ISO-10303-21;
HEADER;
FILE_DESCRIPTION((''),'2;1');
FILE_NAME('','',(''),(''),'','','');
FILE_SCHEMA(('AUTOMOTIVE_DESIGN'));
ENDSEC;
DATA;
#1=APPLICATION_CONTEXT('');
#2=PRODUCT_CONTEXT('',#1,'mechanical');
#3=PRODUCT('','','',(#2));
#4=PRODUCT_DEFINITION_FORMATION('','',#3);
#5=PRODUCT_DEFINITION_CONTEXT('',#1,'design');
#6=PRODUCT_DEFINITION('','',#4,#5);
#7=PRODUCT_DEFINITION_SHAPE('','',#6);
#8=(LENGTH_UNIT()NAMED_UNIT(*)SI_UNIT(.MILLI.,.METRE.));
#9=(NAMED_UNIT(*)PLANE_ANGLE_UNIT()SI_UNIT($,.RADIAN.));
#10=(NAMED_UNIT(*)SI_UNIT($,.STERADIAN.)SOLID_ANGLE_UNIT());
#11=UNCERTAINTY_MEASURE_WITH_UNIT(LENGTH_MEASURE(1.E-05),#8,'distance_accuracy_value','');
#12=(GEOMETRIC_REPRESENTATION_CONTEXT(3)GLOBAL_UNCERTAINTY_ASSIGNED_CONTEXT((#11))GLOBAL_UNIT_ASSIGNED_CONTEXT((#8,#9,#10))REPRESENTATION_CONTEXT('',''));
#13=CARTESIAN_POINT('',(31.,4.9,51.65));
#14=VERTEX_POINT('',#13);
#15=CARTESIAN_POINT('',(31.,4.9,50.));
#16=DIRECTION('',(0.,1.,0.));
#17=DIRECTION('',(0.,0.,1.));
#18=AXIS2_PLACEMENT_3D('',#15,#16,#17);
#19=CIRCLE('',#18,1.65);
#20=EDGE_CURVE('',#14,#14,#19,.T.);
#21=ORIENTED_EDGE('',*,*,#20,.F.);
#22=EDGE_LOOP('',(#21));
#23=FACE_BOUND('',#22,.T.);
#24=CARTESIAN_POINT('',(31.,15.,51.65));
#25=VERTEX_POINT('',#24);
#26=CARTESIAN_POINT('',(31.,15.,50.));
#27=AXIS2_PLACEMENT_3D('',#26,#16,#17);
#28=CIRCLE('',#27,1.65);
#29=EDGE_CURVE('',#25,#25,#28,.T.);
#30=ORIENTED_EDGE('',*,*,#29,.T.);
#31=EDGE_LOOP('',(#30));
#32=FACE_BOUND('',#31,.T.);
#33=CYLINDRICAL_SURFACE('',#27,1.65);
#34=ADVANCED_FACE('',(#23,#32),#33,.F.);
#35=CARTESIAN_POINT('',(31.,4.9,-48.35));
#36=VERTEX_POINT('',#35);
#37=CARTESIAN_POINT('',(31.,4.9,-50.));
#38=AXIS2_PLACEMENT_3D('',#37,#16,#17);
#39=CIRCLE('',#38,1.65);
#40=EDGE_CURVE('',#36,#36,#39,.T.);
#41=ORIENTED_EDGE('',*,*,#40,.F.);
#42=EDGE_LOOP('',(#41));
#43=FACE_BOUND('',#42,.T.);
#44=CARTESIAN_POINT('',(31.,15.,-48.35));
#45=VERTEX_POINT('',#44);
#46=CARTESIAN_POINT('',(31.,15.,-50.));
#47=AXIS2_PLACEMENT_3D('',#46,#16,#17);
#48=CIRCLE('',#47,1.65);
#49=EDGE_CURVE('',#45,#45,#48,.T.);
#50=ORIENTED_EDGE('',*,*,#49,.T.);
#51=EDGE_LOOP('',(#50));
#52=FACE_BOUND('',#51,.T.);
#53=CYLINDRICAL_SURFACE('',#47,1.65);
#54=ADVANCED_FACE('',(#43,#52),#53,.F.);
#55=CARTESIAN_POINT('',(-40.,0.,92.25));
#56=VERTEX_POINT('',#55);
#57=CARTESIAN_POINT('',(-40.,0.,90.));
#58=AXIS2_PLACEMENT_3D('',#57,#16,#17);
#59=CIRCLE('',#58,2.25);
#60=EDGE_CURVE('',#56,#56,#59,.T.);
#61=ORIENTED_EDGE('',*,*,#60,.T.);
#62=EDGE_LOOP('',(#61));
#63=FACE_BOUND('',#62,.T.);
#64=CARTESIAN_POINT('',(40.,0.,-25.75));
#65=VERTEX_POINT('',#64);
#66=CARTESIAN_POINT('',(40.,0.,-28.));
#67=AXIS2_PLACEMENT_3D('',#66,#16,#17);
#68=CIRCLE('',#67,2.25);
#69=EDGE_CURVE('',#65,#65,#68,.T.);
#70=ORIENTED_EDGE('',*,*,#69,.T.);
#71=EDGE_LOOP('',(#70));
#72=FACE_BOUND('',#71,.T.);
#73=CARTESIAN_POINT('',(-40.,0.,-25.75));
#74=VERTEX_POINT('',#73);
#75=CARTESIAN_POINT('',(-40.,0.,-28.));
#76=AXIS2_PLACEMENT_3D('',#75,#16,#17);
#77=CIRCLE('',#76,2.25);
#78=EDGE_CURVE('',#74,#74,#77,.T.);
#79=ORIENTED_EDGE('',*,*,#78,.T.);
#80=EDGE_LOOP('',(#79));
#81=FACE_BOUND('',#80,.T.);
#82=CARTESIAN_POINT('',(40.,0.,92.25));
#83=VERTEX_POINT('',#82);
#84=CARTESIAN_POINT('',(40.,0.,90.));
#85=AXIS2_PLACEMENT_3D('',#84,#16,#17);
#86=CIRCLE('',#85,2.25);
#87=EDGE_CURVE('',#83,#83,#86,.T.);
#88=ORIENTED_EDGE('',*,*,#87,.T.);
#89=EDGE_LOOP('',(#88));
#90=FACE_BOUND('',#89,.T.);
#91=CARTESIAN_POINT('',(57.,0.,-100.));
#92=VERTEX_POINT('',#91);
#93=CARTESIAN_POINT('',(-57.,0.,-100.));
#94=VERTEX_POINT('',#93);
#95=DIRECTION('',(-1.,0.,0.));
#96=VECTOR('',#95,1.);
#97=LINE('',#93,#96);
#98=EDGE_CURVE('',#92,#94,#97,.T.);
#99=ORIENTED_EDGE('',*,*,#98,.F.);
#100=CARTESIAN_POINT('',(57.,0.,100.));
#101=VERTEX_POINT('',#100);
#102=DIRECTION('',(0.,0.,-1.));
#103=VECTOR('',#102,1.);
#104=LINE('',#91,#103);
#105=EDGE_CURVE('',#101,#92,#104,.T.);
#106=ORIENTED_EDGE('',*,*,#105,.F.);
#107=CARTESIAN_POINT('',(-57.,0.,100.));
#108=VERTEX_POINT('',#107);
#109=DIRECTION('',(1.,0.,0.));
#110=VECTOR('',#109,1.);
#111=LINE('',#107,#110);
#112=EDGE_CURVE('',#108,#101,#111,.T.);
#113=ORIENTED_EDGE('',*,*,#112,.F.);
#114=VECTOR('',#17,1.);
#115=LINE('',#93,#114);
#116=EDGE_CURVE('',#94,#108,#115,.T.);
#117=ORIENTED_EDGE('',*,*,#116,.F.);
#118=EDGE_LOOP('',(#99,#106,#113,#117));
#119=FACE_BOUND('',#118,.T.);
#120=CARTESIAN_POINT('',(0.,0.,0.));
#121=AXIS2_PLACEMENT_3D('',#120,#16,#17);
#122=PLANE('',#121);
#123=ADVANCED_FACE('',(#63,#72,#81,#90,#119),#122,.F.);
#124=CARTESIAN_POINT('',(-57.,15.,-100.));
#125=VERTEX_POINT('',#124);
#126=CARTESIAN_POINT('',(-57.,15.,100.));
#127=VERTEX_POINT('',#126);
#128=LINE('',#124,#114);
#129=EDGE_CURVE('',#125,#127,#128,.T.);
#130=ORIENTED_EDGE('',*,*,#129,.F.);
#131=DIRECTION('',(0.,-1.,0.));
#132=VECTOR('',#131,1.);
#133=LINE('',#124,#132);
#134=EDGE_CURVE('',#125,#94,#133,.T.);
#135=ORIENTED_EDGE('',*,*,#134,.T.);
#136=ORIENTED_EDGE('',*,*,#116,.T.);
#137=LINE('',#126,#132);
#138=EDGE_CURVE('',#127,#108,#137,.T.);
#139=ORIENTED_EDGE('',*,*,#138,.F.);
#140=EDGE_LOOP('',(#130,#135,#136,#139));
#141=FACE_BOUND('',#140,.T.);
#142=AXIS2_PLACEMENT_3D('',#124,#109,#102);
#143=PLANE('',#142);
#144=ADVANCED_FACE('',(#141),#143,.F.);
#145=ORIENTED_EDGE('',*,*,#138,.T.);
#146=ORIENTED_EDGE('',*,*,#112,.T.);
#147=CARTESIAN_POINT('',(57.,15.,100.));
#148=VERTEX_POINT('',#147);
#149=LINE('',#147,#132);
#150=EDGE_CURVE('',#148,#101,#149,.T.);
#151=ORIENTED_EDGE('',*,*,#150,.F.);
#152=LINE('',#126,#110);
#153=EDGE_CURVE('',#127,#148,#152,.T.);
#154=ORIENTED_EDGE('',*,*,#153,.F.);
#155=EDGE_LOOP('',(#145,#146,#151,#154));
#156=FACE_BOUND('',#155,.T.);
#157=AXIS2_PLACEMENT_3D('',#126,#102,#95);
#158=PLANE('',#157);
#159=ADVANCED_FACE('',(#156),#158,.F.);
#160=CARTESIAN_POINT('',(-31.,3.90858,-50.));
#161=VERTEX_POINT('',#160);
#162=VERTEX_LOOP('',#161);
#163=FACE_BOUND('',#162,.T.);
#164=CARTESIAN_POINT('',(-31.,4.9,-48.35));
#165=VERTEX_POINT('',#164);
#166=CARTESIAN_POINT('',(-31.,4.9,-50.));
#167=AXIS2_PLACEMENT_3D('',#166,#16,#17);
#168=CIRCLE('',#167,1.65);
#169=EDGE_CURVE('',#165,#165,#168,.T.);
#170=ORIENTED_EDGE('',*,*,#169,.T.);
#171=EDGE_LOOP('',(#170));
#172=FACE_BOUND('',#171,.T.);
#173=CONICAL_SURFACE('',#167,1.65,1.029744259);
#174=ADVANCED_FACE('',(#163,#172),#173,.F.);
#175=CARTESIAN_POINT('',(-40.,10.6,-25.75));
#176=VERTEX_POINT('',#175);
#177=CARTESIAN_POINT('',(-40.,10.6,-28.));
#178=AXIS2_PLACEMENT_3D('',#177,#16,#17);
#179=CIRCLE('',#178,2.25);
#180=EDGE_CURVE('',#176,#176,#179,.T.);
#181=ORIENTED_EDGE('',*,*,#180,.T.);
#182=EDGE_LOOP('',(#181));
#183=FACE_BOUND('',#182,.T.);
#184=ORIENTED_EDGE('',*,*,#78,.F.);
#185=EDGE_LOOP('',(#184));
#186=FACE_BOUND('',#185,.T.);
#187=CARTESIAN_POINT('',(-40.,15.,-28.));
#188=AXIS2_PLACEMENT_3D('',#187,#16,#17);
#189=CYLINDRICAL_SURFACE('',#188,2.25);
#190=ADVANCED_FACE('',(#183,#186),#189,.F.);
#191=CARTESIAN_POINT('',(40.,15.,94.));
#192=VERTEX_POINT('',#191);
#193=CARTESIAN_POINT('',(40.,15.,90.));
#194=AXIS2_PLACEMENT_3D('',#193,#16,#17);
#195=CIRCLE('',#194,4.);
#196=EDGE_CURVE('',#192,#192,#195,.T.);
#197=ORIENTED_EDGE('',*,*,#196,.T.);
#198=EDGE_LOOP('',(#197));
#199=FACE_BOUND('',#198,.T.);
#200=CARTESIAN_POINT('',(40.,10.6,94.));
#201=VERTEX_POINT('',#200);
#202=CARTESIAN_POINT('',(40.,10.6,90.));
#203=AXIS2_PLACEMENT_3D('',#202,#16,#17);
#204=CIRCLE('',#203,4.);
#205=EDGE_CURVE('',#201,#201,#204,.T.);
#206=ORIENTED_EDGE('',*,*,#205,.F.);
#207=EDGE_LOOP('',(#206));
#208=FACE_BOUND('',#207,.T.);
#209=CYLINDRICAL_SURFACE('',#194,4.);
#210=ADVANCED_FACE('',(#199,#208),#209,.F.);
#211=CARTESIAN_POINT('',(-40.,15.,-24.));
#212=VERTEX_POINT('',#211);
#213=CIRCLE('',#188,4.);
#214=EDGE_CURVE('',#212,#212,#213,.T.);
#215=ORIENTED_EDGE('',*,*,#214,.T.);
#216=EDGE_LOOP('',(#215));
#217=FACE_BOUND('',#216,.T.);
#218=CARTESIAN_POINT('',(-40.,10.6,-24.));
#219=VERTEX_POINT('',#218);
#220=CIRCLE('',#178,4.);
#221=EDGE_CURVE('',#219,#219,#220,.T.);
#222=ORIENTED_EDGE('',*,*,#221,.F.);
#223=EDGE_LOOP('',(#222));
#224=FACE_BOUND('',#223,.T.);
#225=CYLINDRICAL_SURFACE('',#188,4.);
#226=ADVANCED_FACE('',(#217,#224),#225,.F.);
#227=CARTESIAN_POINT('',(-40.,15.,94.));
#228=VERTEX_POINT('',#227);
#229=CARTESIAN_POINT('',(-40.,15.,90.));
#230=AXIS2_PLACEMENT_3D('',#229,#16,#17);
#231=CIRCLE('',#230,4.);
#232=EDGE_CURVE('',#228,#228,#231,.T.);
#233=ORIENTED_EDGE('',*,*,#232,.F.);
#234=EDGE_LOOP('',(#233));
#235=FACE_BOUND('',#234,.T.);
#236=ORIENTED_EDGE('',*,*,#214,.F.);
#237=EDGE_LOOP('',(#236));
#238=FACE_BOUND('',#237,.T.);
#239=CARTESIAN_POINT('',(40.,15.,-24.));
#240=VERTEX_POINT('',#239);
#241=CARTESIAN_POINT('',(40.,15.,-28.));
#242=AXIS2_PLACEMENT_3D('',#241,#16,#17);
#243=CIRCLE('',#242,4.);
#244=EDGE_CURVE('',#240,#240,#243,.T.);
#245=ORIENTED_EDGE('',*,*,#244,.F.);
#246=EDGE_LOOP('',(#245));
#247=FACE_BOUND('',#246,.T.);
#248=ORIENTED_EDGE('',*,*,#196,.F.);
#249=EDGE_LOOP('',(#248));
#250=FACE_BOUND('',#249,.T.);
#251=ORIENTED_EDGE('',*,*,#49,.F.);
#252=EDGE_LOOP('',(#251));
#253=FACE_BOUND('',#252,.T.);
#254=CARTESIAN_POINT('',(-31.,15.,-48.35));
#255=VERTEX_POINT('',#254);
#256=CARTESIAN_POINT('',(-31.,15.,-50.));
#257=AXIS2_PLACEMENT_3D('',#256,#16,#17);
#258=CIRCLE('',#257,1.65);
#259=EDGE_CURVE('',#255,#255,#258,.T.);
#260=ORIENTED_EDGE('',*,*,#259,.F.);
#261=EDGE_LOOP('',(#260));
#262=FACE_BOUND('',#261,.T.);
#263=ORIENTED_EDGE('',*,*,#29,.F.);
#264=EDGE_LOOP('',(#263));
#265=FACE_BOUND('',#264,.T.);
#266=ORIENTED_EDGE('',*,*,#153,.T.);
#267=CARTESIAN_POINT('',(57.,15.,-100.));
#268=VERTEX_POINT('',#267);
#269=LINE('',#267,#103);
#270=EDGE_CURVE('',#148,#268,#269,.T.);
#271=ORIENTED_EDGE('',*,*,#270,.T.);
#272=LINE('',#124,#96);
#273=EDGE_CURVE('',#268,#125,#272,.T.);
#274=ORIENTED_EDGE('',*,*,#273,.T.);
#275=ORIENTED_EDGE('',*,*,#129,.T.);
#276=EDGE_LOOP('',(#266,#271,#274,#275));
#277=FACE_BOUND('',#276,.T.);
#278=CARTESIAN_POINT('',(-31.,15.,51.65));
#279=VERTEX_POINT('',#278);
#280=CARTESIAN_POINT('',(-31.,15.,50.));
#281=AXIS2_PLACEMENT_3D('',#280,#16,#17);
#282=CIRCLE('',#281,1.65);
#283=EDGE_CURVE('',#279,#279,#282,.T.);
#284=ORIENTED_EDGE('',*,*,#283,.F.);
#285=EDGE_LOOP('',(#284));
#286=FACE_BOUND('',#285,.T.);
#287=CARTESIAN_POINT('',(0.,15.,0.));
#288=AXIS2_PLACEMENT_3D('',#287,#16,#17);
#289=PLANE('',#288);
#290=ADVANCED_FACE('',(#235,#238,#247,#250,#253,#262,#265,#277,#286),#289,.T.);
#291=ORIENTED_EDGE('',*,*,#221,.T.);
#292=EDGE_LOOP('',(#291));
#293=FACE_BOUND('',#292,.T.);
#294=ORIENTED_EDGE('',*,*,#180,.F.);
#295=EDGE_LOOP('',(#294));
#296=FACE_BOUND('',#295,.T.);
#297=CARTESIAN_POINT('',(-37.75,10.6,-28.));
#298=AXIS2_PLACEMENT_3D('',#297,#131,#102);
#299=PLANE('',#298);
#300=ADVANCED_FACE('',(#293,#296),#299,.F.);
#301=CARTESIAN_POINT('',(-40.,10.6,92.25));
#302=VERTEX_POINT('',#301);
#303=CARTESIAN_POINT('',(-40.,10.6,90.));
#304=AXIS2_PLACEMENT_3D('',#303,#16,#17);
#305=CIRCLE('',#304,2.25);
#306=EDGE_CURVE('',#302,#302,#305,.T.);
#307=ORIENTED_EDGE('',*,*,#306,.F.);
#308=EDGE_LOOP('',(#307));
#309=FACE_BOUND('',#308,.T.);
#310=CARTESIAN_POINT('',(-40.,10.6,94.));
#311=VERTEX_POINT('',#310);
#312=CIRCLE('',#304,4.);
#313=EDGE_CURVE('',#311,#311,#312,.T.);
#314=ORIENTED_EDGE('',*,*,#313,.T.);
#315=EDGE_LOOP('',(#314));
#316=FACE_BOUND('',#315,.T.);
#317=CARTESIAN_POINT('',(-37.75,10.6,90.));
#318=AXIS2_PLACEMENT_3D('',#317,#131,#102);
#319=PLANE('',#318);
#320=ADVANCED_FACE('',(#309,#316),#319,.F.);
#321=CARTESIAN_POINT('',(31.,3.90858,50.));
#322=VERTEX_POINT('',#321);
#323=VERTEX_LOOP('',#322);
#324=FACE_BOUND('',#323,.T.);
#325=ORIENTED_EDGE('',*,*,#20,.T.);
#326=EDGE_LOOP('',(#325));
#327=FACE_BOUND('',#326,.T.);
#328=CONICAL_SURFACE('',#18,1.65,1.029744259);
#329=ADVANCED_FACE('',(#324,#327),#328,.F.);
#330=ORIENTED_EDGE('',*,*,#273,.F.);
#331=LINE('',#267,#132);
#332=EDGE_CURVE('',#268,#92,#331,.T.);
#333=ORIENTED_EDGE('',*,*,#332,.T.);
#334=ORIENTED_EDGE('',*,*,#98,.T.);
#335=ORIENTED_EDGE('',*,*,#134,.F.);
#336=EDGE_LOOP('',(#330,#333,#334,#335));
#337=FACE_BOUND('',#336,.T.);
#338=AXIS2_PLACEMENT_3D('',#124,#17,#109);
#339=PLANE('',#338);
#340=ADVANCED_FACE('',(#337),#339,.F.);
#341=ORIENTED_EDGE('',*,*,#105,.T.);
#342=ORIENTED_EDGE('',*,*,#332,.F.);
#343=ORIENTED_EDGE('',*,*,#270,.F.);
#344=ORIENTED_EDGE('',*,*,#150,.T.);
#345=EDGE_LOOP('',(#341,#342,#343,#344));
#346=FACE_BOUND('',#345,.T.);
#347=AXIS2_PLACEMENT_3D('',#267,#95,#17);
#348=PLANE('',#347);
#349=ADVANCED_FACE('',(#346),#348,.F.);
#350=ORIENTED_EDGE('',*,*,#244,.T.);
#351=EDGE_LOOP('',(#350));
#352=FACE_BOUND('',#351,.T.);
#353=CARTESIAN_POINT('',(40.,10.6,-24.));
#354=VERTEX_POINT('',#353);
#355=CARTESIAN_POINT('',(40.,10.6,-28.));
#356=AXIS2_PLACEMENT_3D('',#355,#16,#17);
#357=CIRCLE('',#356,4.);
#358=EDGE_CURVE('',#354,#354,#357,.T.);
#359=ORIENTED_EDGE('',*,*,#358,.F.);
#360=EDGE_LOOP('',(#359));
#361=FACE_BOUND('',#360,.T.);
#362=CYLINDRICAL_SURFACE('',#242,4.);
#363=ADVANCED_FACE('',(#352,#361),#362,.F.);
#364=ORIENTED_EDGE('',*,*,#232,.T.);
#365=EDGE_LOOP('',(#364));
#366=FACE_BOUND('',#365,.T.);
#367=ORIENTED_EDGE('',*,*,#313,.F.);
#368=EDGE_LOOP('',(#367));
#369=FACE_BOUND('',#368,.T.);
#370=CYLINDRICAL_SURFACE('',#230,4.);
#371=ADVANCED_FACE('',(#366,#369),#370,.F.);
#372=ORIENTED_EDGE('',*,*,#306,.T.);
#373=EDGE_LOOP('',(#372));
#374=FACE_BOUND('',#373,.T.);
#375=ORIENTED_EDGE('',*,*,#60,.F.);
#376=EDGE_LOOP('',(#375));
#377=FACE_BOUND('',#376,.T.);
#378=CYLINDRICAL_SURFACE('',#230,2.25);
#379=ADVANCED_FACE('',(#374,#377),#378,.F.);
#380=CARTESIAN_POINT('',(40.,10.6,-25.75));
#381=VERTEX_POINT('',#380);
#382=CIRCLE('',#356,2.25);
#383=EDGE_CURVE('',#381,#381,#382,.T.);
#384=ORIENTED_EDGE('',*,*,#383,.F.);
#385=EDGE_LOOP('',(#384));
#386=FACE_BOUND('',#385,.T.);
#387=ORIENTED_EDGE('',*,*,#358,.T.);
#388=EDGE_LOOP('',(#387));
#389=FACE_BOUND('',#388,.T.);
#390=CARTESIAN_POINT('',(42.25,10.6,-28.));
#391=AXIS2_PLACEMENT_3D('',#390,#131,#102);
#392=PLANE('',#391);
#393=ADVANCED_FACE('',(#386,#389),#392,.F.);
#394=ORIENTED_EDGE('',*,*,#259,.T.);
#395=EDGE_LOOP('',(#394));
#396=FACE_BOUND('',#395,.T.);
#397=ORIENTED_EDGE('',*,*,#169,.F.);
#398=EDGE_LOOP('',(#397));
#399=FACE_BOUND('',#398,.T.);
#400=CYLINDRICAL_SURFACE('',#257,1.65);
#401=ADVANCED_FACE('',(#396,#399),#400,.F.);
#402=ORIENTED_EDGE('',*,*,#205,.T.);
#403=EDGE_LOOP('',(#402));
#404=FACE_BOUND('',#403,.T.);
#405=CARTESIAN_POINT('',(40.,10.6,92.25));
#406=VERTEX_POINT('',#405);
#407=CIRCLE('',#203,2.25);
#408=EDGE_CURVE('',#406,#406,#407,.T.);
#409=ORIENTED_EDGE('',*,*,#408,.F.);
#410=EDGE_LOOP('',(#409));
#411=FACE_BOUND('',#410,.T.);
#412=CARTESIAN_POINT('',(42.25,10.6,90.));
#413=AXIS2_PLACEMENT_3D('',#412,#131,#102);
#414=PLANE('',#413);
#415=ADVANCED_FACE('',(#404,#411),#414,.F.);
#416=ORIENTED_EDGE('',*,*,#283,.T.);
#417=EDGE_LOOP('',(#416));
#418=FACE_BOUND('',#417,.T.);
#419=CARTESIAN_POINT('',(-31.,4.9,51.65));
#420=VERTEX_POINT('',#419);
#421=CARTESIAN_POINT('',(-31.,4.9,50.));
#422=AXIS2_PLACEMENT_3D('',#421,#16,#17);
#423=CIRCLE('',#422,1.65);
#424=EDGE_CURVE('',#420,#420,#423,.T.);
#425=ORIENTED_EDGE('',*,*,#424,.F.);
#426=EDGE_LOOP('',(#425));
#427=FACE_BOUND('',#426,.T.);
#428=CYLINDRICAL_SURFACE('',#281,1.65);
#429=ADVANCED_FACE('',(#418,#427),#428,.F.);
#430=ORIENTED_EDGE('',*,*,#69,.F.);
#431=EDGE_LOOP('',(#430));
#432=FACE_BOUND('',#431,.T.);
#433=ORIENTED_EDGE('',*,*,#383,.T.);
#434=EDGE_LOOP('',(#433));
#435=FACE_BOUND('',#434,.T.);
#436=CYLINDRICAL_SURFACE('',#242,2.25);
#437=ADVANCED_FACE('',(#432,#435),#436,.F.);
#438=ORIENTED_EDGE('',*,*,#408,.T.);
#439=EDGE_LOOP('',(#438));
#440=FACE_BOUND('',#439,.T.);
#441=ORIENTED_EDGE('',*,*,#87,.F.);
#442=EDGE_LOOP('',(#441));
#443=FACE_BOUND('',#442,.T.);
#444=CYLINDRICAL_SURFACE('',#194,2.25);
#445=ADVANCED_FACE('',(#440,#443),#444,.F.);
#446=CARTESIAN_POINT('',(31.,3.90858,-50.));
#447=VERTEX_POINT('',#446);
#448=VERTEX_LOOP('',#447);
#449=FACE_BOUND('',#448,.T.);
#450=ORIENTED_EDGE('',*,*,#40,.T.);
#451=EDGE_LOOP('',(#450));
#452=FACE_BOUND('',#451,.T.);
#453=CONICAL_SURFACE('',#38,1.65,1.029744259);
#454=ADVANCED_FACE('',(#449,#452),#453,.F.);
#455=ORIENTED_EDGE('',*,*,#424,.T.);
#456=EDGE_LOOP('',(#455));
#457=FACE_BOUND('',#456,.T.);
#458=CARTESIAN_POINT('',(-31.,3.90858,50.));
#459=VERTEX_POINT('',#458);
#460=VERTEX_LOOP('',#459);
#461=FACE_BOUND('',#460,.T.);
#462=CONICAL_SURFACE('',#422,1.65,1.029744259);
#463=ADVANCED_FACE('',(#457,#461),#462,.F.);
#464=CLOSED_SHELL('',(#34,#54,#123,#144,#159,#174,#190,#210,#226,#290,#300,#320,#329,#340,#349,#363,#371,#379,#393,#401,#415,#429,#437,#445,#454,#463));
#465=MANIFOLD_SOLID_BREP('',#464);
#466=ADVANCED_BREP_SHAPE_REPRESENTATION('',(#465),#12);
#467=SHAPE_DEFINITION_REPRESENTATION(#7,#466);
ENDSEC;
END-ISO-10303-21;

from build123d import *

# Parameters (mm, degrees)
SKETCH_1_W                   = 114
SKETCH_1_H                   = 200
EXTRUDE_1_DEPTH              = 15
HOLE_WIZARD_M4_1_D           = 4.5
HOLE_WIZARD_M4_1_CBORE_D     = 8
HOLE_WIZARD_M4_1_CBORE_DEPTH = 4.4
PATTERN_LINEAR_1_COUNT       = 2
PATTERN_LINEAR_1_PITCH       = 118
PATTERN_LINEAR_1_COUNT_DIR2  = 2
PATTERN_LINEAR_1_PITCH_DIR2  = 80
PATTERN_LINEAR_3_COUNT       = 2
PATTERN_LINEAR_3_PITCH       = 100
PATTERN_LINEAR_3_COUNT_DIR2  = 2
PATTERN_LINEAR_3_PITCH_DIR2  = 62


with BuildPart() as part:
    # 草图1 → 凸台-拉伸1 (new body)
    with BuildSketch(Plane(origin=(0, 0, 0), x_dir=(1, 0, 0), z_dir=(0, 1, 0))):
        Rectangle(SKETCH_1_W, SKETCH_1_H)
    extrude(amount=EXTRUDE_1_DEPTH)

    # Hole Wizard M4 _1 (through all)
    with Locations(Plane(origin=(0, 15, 0), x_dir=(1, 0, 0), z_dir=(0, 1, 0))):
        with Locations((-40, -90)):
            hole_wizard_m4_1 = CounterBoreHole(HOLE_WIZARD_M4_1_D / 2, HOLE_WIZARD_M4_1_CBORE_D / 2, HOLE_WIZARD_M4_1_CBORE_DEPTH)

    # 阵列(线性)1: Hole Wizard M4 _1 2 × 2
    with Locations(*[(j * PATTERN_LINEAR_1_PITCH_DIR2, 0, -i * PATTERN_LINEAR_1_PITCH) for i in range(PATTERN_LINEAR_1_COUNT) for j in range(PATTERN_LINEAR_1_COUNT_DIR2) if (i, j) != (0, 0)]):
        add(hole_wizard_m4_1, mode=Mode.SUBTRACT)

    # 草图6 → Hole Wizard M4 _1 2 (revolve, cut)
    with BuildSketch(Plane(origin=(-31, 15, 50), x_dir=(0, 0, 1), z_dir=(1, 0, 0))):
        Polygon((0, 0), (0, 11.091420021), (1.65, 10.1), (1.65, 0), align=None)
    hole_wizard_m4_1_2 = revolve(axis=Axis((-31, 21.35, 50), (0, -1, 0)), mode=Mode.SUBTRACT)

    # 阵列(线性)3: Hole Wizard M4 _1 2 2 × 2
    with Locations(*[(j * PATTERN_LINEAR_3_PITCH_DIR2, 0, -i * PATTERN_LINEAR_3_PITCH) for i in range(PATTERN_LINEAR_3_COUNT) for j in range(PATTERN_LINEAR_3_COUNT_DIR2) if (i, j) != (0, 0)]):
        add(hole_wizard_m4_1_2, mode=Mode.SUBTRACT)


solid = part.part
